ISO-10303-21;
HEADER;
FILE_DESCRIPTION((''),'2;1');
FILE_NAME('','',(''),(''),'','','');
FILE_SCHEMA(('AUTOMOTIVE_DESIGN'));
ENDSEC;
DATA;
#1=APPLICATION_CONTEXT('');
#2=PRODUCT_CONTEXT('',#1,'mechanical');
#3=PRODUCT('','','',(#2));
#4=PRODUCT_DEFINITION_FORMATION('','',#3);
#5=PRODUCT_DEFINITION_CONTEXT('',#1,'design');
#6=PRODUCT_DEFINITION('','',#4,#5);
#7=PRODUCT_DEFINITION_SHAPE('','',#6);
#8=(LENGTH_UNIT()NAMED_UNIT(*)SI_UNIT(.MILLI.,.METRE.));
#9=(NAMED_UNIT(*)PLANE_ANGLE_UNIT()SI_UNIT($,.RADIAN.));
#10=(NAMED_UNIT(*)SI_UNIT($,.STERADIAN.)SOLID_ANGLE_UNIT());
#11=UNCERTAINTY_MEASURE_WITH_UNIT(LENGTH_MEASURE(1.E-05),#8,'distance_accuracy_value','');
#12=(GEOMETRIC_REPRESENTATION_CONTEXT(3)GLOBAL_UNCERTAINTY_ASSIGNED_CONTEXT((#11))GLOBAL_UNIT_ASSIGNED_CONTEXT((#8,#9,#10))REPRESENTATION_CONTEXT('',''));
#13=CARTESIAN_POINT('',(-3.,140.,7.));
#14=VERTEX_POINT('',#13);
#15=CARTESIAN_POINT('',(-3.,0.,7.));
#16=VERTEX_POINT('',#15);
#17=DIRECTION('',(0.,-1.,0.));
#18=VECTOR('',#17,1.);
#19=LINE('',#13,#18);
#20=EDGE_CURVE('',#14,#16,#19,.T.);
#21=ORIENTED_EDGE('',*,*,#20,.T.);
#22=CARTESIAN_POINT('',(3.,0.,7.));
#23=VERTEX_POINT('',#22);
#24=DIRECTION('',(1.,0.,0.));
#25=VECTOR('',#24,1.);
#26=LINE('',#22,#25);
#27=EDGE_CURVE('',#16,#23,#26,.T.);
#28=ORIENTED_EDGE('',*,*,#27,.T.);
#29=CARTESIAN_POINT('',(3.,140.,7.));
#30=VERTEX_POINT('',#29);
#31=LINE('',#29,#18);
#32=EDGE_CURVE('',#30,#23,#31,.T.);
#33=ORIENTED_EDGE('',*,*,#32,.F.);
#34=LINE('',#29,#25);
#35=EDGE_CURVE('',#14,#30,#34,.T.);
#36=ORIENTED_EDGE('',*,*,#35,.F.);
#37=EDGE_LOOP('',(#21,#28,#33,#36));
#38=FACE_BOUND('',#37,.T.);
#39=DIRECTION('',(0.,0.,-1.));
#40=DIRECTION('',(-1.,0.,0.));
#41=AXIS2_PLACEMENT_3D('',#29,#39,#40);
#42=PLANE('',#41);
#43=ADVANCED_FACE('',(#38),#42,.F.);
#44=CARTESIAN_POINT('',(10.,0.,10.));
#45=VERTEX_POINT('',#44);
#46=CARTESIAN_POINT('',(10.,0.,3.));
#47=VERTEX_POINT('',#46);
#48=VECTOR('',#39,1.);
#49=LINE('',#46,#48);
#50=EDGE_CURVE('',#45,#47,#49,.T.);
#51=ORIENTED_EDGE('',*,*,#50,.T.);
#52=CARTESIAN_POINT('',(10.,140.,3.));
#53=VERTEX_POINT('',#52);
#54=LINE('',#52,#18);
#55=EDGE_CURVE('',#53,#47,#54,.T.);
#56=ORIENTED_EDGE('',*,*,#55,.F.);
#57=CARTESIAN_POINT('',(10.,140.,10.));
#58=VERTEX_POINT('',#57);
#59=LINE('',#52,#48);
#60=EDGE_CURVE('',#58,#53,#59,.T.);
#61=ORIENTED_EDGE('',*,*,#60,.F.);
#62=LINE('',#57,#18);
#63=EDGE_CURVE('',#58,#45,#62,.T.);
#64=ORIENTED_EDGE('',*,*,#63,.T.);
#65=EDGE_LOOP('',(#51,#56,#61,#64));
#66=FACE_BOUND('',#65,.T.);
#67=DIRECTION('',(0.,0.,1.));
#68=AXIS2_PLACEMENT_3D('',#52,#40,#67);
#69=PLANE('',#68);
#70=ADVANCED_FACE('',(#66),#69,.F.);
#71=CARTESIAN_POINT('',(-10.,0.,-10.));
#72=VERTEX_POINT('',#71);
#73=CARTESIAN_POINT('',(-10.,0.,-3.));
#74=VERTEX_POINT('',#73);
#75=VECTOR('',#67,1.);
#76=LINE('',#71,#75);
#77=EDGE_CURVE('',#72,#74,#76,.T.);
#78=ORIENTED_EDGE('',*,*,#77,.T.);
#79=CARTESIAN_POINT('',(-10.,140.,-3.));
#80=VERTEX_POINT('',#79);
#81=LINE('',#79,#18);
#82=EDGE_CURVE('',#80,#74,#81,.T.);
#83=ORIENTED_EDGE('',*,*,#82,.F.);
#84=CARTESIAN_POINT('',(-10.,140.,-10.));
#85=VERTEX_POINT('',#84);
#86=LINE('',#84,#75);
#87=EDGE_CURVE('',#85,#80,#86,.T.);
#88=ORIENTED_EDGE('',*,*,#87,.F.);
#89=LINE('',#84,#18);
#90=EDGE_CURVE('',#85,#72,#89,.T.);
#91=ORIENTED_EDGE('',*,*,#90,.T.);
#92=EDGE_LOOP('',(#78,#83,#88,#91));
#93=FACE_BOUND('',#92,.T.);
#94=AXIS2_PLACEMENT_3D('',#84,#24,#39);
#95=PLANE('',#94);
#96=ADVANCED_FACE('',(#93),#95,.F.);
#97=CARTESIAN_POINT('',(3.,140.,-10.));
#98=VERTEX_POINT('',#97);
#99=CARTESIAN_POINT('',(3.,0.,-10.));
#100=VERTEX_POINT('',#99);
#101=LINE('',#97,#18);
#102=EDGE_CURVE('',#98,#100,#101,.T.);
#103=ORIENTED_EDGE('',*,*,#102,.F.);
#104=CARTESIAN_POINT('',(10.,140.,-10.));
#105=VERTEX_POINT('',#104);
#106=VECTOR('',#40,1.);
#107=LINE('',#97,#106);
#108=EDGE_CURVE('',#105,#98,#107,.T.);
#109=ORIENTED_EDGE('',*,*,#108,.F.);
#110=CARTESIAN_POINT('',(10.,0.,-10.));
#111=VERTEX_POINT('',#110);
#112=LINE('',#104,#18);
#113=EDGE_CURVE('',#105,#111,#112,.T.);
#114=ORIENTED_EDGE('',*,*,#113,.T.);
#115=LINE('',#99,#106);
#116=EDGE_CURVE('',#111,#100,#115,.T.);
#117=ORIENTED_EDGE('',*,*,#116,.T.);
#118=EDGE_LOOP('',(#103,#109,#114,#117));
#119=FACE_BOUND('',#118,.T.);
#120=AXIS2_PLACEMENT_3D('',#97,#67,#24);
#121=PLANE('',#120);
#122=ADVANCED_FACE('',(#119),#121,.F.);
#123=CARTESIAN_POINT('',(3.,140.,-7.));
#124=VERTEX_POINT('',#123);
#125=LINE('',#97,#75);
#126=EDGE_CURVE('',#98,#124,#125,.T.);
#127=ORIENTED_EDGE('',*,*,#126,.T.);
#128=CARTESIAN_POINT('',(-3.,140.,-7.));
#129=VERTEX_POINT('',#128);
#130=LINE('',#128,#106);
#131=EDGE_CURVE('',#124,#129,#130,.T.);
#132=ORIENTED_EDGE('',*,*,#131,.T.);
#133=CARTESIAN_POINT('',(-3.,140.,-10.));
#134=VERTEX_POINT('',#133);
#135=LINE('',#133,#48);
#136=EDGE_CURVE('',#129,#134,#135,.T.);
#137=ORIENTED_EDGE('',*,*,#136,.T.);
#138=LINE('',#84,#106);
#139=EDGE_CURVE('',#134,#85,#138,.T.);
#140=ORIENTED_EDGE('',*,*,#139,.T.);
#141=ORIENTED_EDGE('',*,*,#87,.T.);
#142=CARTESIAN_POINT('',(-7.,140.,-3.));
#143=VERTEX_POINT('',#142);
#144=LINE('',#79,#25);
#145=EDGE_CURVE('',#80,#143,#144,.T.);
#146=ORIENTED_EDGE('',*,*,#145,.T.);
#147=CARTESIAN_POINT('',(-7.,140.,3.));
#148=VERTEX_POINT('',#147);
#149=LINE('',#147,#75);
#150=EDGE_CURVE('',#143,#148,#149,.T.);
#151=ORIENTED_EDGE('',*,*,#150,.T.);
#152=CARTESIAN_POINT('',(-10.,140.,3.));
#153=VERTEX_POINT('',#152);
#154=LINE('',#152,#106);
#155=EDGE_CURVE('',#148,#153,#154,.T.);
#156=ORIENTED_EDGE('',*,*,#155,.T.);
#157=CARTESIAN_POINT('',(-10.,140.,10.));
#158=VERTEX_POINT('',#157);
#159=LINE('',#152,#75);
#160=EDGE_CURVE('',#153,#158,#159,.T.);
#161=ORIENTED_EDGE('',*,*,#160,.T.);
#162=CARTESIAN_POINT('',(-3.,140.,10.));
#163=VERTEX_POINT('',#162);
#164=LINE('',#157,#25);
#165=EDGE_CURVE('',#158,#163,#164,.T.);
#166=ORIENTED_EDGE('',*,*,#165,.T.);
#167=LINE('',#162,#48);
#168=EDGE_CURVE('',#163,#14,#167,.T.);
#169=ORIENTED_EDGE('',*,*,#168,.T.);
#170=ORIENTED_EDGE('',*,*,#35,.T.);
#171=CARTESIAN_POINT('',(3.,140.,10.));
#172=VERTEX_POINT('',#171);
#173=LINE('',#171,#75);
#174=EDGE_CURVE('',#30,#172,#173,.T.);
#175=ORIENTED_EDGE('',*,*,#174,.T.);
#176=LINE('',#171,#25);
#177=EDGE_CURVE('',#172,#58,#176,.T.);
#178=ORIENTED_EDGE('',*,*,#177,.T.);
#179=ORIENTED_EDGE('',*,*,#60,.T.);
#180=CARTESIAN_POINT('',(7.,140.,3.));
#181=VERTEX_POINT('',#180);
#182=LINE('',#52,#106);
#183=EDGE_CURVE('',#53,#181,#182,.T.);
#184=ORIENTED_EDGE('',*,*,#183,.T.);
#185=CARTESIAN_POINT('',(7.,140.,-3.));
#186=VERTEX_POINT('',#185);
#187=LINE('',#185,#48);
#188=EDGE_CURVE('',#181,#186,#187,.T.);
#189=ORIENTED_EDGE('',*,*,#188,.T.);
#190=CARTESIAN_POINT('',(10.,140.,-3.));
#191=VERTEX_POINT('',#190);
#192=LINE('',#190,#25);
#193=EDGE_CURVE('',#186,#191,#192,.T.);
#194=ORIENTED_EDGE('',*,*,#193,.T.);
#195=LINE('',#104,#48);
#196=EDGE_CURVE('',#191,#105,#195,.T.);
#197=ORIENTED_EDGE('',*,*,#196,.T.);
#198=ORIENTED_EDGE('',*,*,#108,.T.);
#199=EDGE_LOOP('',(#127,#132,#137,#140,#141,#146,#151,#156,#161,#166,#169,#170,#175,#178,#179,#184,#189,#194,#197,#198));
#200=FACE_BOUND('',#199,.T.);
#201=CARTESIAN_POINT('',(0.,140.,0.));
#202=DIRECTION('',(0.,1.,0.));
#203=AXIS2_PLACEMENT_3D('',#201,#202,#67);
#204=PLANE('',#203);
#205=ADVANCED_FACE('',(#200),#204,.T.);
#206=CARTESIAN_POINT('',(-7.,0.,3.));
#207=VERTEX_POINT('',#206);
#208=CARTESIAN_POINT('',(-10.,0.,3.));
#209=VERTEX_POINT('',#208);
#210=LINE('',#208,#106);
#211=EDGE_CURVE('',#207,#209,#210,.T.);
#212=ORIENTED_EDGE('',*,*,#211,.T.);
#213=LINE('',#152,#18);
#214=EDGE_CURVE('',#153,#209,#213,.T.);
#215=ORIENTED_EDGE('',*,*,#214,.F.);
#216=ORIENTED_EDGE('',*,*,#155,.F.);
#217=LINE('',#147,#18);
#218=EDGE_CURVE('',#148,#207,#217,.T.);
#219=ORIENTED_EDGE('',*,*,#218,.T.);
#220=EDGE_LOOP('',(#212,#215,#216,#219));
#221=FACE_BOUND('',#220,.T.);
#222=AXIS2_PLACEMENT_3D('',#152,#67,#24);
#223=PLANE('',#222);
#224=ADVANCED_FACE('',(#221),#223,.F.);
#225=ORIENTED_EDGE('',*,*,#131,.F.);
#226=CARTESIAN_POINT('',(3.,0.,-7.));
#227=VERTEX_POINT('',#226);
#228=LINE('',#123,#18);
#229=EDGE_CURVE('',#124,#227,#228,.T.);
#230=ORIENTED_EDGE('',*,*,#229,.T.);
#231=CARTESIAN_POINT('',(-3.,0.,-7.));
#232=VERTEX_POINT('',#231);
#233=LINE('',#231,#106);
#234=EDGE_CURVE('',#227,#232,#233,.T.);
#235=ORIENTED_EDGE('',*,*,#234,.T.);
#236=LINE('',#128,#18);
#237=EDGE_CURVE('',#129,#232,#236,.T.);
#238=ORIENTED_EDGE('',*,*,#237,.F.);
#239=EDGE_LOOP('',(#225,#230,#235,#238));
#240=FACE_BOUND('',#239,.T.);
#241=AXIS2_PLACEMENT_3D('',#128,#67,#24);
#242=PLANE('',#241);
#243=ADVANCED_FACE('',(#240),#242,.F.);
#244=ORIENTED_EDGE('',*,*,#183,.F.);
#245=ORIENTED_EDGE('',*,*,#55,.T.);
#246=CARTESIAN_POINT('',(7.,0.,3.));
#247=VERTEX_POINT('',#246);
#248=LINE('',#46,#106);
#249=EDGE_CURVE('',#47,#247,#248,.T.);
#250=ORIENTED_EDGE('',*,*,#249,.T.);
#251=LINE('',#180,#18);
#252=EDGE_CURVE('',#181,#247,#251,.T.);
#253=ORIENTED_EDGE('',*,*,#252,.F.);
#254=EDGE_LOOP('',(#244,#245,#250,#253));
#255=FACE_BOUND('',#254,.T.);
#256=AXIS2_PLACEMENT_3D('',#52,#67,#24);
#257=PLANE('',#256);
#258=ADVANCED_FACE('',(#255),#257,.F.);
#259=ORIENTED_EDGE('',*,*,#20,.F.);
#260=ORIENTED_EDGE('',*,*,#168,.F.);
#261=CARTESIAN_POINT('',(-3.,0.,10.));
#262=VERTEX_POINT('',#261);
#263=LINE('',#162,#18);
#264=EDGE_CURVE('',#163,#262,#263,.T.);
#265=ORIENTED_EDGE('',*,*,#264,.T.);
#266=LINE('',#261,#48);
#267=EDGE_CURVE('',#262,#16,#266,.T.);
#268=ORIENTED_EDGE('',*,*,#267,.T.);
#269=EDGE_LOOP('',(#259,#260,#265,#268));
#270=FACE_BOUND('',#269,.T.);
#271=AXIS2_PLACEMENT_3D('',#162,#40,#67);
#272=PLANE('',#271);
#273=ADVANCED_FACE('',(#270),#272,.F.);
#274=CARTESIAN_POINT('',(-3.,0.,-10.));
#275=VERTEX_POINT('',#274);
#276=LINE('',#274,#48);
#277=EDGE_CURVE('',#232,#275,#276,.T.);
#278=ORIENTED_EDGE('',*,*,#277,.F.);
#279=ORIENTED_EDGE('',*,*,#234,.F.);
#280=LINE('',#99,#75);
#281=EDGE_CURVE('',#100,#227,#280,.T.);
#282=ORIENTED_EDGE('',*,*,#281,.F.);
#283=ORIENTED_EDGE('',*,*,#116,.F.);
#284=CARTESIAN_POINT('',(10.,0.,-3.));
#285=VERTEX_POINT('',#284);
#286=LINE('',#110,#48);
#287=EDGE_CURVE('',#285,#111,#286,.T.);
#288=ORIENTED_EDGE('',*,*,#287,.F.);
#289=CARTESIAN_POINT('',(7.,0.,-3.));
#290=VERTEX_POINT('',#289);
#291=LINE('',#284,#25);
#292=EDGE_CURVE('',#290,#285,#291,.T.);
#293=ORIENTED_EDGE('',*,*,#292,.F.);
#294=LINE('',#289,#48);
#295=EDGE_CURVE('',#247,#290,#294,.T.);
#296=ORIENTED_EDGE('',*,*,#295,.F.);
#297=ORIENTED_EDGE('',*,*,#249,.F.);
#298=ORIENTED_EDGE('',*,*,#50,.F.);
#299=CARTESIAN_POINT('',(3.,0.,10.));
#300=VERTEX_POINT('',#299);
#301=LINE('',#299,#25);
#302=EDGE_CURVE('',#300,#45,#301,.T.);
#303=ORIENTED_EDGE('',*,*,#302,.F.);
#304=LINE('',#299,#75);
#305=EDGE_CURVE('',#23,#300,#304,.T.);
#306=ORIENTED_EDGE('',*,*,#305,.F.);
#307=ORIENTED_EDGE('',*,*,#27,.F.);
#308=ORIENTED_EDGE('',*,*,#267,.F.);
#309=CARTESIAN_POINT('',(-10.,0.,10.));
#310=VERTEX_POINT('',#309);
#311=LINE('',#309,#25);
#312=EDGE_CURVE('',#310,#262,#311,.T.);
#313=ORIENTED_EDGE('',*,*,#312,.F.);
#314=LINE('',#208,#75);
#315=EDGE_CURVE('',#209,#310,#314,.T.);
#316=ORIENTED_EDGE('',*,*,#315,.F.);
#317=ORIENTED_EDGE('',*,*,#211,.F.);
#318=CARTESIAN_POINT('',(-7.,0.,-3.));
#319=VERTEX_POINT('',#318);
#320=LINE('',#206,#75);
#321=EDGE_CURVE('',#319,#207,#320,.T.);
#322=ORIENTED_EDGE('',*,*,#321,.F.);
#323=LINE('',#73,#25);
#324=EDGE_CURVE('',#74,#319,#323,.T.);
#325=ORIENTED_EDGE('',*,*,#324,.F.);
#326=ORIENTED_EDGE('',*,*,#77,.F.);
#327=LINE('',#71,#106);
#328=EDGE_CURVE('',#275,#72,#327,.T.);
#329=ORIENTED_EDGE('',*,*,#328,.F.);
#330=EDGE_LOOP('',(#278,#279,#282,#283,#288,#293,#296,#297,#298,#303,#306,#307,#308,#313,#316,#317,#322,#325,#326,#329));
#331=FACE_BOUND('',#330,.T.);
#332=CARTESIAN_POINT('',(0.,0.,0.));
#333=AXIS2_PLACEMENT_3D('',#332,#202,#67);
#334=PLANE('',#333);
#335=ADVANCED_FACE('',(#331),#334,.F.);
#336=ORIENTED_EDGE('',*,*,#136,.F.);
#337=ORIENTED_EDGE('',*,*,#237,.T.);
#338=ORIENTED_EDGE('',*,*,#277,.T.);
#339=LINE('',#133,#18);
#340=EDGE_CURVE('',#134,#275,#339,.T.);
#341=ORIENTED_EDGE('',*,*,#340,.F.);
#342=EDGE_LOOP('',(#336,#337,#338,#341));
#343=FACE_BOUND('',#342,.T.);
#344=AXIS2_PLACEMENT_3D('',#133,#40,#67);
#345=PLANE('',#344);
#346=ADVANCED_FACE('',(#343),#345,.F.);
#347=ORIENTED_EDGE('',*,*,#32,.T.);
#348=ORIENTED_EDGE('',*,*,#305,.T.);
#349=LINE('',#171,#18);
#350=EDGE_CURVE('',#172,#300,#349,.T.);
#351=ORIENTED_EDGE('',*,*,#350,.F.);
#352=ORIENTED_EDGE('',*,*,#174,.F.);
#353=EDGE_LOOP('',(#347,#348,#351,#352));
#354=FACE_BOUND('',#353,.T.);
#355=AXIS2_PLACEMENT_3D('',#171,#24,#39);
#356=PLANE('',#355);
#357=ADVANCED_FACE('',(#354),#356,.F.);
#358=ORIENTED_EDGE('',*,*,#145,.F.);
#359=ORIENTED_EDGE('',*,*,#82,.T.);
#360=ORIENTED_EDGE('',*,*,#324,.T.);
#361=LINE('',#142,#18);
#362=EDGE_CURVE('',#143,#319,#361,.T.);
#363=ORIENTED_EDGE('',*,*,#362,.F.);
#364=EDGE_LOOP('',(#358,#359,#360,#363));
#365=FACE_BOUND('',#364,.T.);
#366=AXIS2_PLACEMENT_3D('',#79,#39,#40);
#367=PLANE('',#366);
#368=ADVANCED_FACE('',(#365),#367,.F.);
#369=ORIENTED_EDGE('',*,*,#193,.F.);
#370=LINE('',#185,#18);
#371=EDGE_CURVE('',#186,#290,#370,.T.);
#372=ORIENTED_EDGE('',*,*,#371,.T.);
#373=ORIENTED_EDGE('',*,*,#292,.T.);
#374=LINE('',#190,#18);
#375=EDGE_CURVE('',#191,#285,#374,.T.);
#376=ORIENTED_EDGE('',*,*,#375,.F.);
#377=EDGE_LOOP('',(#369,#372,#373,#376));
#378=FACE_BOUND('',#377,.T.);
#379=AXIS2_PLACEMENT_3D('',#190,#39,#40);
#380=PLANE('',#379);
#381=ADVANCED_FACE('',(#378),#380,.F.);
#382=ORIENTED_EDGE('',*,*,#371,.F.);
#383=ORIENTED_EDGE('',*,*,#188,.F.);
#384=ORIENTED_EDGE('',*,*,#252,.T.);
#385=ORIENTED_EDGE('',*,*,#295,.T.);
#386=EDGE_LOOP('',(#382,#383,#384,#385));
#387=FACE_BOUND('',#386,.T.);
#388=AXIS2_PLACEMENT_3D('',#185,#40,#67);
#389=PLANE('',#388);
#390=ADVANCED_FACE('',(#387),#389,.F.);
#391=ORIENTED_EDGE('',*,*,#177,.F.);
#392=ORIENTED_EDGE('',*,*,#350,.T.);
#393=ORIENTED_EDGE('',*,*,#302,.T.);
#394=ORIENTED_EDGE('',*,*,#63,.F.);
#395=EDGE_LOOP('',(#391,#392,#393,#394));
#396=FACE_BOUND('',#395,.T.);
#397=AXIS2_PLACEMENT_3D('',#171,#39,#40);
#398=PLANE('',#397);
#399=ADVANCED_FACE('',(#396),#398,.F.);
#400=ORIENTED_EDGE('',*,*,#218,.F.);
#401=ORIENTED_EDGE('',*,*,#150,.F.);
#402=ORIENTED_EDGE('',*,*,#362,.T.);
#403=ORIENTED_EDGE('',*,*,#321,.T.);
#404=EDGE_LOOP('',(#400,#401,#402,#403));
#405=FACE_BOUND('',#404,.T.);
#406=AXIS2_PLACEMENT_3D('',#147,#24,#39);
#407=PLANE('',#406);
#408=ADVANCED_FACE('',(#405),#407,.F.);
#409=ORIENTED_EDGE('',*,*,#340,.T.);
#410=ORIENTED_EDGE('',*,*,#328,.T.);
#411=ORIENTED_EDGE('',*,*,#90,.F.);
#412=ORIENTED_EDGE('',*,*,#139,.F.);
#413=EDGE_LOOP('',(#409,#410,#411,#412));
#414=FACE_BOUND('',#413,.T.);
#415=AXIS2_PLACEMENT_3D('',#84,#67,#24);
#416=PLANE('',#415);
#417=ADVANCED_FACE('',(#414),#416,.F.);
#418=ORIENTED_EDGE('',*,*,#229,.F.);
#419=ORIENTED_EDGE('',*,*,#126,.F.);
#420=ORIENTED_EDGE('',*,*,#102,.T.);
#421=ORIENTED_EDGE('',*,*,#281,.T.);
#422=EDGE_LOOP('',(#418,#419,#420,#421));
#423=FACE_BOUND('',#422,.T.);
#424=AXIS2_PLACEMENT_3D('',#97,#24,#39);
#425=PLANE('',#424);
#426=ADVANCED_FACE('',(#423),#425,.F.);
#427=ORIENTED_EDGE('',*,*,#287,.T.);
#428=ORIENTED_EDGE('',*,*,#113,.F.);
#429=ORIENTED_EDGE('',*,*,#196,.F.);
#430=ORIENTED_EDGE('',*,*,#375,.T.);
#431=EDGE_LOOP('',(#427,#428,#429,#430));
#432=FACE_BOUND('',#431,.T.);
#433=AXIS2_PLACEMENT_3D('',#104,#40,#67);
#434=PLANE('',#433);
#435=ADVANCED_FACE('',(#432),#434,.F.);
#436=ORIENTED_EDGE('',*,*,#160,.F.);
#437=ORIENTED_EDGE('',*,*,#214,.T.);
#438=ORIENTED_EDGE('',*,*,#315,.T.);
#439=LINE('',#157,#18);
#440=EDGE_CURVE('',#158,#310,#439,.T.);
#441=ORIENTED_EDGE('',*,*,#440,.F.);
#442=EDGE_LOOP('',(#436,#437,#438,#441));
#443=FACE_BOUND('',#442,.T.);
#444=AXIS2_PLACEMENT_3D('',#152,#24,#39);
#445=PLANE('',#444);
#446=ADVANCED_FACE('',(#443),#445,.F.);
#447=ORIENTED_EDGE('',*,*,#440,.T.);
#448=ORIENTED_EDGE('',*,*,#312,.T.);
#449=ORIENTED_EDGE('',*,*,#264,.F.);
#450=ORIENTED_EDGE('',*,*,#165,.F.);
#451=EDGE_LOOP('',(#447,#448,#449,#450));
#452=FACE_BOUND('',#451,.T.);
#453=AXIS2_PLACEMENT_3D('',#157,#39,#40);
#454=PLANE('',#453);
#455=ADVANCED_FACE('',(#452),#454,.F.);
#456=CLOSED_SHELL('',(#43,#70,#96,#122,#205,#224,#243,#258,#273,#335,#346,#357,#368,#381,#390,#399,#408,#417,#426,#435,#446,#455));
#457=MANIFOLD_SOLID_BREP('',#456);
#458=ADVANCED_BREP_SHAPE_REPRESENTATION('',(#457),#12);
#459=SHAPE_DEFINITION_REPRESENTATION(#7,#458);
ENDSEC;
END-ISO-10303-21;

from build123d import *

# Parameters (mm, degrees)
EXTRUDE_1_DEPTH = 140


with BuildPart() as part:
    # 스케치1 → 보스-돌출1 (new body)
    with BuildSketch(Plane(origin=(0, 0, 0), x_dir=(1, 0, 0), z_dir=(0, 1, 0))):
        Polygon((3, 10), (10, 10), (10, 3), (7, 3), (7, -3), (10, -3), (10, -10), (3, -10), (3, -7), (-3, -7), (-3, -10), (-10, -10), (-10, -3), (-7, -3), (-7, 3), (-10, 3), (-10, 10), (-3, 10), (-3, 7), (3, 7), align=None)
    extrude(amount=EXTRUDE_1_DEPTH)


solid = part.part
